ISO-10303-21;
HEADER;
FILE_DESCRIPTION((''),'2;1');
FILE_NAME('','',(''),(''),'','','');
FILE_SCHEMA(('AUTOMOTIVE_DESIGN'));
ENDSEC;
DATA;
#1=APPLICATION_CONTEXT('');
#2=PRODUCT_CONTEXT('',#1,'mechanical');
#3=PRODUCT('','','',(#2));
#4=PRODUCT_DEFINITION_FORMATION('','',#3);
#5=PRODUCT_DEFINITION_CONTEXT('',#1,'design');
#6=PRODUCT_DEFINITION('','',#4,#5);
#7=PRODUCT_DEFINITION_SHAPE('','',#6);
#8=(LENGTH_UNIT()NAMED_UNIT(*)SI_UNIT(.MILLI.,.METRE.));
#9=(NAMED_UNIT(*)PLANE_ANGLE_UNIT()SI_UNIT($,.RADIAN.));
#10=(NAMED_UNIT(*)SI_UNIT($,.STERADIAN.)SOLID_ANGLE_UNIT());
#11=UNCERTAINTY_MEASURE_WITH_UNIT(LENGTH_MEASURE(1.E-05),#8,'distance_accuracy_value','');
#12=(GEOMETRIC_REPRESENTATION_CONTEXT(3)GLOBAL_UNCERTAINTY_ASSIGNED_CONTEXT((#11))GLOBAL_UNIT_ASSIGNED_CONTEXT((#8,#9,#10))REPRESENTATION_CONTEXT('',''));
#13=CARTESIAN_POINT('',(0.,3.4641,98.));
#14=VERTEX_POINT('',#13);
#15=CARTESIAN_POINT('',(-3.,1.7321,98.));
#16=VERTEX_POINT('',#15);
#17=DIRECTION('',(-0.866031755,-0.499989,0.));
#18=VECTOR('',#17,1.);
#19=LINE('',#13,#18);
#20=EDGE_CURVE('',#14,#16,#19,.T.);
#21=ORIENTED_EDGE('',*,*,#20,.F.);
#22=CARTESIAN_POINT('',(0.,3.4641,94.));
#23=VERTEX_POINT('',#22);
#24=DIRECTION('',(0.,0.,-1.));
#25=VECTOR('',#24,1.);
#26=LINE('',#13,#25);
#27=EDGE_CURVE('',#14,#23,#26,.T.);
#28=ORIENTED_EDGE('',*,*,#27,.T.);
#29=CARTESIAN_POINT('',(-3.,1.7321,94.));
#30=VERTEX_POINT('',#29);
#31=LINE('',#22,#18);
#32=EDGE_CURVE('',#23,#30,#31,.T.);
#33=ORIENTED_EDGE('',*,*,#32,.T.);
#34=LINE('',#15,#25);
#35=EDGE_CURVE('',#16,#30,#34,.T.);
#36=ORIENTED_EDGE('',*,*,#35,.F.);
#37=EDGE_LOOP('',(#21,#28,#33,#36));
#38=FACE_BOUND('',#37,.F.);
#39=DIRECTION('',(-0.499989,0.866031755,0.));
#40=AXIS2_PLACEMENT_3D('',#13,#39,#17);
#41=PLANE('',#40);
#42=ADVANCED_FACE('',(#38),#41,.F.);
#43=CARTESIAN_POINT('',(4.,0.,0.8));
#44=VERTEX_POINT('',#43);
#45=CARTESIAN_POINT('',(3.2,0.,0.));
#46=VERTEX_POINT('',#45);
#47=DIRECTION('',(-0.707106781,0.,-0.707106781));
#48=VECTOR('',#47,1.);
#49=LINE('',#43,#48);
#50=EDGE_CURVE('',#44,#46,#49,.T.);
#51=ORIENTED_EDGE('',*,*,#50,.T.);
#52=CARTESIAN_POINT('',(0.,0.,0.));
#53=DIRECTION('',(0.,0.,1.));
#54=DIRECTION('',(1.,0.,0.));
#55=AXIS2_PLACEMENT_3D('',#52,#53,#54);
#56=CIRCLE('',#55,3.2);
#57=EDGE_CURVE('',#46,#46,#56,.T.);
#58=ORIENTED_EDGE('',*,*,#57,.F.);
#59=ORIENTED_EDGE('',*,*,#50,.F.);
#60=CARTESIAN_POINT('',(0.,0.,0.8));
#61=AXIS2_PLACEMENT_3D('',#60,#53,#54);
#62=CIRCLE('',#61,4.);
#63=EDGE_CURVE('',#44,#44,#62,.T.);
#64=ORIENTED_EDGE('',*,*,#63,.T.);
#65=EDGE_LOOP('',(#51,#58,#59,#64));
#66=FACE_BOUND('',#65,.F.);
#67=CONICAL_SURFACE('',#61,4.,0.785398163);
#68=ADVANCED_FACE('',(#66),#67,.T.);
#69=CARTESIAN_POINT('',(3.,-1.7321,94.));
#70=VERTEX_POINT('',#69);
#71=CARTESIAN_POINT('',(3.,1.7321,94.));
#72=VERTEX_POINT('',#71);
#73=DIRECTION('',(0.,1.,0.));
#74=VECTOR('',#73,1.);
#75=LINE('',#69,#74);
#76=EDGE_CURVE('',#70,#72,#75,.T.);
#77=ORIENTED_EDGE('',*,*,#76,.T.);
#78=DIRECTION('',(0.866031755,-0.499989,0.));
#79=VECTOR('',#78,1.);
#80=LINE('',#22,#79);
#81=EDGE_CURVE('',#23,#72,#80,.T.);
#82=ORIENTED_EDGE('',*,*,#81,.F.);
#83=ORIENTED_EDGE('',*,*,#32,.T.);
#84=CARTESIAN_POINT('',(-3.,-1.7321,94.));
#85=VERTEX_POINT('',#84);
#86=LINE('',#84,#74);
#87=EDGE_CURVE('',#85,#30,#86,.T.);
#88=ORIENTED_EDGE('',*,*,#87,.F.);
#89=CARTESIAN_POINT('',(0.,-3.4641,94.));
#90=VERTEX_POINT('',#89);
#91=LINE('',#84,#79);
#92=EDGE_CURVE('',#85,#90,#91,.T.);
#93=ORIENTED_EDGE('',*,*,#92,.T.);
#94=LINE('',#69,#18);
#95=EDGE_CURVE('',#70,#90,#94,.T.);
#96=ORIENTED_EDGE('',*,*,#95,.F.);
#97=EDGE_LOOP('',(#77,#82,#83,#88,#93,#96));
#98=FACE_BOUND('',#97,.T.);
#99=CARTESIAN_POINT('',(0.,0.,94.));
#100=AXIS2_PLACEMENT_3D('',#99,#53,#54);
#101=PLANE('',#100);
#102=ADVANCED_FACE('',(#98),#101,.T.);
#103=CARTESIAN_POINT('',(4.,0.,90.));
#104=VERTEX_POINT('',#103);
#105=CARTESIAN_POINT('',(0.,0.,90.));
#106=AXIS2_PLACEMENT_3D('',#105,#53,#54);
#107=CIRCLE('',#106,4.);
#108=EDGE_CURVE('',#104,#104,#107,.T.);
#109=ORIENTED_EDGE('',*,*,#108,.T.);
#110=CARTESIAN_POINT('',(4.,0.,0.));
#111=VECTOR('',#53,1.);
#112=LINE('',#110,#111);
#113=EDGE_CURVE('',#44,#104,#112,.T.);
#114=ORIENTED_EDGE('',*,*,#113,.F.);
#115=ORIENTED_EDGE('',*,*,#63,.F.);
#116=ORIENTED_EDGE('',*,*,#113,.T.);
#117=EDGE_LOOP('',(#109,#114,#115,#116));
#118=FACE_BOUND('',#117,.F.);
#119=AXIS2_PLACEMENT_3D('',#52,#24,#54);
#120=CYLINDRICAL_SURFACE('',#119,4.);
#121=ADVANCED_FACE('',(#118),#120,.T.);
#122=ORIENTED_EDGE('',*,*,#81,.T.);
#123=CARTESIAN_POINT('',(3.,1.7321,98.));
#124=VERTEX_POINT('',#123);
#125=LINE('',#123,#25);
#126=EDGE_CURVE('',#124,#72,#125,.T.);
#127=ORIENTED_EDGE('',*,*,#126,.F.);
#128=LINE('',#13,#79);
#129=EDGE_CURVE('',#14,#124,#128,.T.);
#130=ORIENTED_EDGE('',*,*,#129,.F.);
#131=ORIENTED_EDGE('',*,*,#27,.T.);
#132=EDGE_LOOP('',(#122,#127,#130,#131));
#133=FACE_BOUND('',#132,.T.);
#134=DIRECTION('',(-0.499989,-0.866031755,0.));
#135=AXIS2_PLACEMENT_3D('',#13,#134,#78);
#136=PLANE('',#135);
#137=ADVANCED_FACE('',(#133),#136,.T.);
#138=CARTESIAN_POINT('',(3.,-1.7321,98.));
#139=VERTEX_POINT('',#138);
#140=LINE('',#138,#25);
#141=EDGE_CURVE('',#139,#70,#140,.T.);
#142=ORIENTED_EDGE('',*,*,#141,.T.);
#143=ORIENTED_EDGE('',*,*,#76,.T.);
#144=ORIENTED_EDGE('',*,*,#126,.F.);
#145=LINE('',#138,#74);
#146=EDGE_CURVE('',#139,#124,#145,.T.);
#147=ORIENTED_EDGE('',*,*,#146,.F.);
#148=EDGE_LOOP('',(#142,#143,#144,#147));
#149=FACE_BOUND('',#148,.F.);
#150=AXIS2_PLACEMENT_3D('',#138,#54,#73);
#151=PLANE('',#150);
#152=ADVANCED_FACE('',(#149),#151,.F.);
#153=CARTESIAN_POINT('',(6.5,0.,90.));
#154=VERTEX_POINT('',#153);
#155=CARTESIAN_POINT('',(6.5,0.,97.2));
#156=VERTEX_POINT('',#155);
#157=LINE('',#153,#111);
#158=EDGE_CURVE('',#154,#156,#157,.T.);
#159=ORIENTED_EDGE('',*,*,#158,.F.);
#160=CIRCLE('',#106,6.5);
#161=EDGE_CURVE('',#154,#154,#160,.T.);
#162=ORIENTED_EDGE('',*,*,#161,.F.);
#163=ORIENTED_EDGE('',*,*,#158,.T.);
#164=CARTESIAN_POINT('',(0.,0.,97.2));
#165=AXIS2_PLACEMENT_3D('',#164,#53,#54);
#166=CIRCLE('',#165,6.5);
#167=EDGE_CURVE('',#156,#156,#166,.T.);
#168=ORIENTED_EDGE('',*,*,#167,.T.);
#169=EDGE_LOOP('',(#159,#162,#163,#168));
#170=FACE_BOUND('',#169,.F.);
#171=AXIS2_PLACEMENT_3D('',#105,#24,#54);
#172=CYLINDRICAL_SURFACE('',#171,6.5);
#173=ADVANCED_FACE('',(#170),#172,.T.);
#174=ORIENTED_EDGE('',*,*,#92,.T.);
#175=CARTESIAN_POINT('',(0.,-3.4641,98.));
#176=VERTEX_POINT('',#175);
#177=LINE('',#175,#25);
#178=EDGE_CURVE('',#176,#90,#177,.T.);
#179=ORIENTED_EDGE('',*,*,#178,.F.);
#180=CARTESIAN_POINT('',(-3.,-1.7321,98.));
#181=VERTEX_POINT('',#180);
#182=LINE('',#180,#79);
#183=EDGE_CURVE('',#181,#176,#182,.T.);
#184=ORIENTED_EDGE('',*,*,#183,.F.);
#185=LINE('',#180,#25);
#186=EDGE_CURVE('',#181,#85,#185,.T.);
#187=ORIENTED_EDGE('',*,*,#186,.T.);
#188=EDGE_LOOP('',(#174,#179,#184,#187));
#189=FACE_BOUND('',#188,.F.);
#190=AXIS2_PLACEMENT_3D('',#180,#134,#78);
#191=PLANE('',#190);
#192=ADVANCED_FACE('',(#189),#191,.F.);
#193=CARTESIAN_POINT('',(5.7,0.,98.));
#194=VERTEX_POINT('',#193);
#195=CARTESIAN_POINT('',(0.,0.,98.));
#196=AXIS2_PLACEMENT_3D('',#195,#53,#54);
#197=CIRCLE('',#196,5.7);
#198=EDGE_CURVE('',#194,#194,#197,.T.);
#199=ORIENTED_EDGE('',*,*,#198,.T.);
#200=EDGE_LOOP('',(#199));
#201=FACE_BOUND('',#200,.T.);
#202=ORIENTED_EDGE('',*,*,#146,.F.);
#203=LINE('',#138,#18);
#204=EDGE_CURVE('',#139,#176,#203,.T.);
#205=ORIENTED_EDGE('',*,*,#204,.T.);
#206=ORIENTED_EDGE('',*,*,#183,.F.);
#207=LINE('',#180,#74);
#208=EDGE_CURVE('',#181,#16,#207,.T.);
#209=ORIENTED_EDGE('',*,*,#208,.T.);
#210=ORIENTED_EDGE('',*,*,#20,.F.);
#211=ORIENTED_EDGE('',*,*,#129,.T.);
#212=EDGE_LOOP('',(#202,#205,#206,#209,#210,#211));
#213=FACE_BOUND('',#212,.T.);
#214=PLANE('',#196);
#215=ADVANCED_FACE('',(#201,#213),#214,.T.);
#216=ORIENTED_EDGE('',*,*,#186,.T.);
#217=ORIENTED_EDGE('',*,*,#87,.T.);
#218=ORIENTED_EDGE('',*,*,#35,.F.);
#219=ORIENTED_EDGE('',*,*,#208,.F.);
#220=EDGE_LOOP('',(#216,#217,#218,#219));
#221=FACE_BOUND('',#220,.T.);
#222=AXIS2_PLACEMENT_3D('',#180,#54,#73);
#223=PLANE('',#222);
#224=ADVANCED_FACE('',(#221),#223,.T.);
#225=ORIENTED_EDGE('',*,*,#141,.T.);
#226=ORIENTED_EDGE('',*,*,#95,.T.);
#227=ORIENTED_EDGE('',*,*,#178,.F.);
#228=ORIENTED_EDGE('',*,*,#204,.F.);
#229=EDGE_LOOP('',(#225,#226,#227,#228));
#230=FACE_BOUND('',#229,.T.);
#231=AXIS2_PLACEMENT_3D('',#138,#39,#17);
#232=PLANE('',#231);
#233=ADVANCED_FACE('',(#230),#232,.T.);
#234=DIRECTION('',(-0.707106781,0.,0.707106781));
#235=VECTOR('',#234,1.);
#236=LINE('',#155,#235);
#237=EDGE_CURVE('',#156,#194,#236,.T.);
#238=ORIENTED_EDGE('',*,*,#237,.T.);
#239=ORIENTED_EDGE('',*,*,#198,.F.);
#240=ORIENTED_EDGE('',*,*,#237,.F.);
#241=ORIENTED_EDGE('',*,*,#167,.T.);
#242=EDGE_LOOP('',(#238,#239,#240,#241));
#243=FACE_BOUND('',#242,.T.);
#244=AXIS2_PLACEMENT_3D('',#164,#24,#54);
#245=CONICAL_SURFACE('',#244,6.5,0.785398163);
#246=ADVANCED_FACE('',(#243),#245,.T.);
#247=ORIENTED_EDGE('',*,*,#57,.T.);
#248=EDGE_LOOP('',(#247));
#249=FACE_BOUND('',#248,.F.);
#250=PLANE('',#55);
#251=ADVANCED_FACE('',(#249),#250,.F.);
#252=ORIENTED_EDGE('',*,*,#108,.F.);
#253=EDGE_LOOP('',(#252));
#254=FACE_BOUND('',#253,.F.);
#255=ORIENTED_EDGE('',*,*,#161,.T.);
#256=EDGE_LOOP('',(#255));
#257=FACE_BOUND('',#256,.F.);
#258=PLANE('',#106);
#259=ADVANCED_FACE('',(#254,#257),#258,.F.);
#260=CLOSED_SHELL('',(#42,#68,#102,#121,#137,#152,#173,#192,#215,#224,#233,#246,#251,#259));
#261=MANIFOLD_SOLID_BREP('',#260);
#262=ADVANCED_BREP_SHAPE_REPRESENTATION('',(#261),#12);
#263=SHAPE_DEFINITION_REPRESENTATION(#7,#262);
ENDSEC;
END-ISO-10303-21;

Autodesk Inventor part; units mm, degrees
ref_plane "YZ Plane" through (0, 0, 0) normal (1, 0, 0) x (0, 1, 0)
ref_plane "XZ Plane" through (0, 0, 0) normal (0, 1, 0) x (-1, 0, 0)
ref_plane "XY Plane" through (0, 0, 0) normal (0, 0, 1) x (1, 0, 0)
sketch "Sketch1" plane through (0, 0, 0) normal (0, 0, 1) x (1, 0, 0)
  circle A0 centre (0, 0) radius 4
  dimension "Diameter" = 8
extrude "Extrusion1" add sketch "Sketch1" along normal blind 90
sketch "Sketch2" plane through (0, 0, 90) normal (0, 0, 1) x (1, 0, 0)
  circle A0 centre (0, 0) radius 4 projected
  circle A1 centre (0, 0) radius 6.5
  dimension "Head_Diameter" = 13
extrude "Extrusion2" add sketch "Sketch2" along normal blind 8 contours A0 | A1
sketch "Sketch3" plane through (0, 0, 98) normal (0, 0, 1) x (1, 0, 0)
  circle A0 centre (0, 0) radius 6.5 projected
  circle A1 centre (0, 0) radius 3.4641 construction
  line L0 (0, 3.4641) -> (3, 1.7321)
  line L1 (3, -1.7321) -> (3, 1.7321)
  line L2 (0, 3.4641) -> (-3, 1.7321)
  line L3 (-3, -1.7321) -> (-3, 1.7321)
  line L4 (-3, -1.7321) -> (0, -3.4641)
  line L5 (3, -1.7321) -> (0, -3.4641)
  dimension "Hex_Width" = 6
extrude "Extrusion3" cut sketch "Sketch3" against normal blind 4 contours L0 L1 L5 L4 L3 L2
thread "Thread1" size "M8x1.25" class "4g6g" standard "ANSI Metric M Profile" length 28
chamfer "Chamfer1" distance 0.8 angle 45 2 edges at (-6.5, 0, 98) (-4, 0, 0)
equation "\"d9\" = ThreadLength"
equation "\"d12\" = Chamfer"
equation "\"ThreadLength\" = 28"
equation "\"Chamfer\" = 0.8"
properties part number "SCREW,SOCKET HD,P,12.9,M8X1.25X90MM"
